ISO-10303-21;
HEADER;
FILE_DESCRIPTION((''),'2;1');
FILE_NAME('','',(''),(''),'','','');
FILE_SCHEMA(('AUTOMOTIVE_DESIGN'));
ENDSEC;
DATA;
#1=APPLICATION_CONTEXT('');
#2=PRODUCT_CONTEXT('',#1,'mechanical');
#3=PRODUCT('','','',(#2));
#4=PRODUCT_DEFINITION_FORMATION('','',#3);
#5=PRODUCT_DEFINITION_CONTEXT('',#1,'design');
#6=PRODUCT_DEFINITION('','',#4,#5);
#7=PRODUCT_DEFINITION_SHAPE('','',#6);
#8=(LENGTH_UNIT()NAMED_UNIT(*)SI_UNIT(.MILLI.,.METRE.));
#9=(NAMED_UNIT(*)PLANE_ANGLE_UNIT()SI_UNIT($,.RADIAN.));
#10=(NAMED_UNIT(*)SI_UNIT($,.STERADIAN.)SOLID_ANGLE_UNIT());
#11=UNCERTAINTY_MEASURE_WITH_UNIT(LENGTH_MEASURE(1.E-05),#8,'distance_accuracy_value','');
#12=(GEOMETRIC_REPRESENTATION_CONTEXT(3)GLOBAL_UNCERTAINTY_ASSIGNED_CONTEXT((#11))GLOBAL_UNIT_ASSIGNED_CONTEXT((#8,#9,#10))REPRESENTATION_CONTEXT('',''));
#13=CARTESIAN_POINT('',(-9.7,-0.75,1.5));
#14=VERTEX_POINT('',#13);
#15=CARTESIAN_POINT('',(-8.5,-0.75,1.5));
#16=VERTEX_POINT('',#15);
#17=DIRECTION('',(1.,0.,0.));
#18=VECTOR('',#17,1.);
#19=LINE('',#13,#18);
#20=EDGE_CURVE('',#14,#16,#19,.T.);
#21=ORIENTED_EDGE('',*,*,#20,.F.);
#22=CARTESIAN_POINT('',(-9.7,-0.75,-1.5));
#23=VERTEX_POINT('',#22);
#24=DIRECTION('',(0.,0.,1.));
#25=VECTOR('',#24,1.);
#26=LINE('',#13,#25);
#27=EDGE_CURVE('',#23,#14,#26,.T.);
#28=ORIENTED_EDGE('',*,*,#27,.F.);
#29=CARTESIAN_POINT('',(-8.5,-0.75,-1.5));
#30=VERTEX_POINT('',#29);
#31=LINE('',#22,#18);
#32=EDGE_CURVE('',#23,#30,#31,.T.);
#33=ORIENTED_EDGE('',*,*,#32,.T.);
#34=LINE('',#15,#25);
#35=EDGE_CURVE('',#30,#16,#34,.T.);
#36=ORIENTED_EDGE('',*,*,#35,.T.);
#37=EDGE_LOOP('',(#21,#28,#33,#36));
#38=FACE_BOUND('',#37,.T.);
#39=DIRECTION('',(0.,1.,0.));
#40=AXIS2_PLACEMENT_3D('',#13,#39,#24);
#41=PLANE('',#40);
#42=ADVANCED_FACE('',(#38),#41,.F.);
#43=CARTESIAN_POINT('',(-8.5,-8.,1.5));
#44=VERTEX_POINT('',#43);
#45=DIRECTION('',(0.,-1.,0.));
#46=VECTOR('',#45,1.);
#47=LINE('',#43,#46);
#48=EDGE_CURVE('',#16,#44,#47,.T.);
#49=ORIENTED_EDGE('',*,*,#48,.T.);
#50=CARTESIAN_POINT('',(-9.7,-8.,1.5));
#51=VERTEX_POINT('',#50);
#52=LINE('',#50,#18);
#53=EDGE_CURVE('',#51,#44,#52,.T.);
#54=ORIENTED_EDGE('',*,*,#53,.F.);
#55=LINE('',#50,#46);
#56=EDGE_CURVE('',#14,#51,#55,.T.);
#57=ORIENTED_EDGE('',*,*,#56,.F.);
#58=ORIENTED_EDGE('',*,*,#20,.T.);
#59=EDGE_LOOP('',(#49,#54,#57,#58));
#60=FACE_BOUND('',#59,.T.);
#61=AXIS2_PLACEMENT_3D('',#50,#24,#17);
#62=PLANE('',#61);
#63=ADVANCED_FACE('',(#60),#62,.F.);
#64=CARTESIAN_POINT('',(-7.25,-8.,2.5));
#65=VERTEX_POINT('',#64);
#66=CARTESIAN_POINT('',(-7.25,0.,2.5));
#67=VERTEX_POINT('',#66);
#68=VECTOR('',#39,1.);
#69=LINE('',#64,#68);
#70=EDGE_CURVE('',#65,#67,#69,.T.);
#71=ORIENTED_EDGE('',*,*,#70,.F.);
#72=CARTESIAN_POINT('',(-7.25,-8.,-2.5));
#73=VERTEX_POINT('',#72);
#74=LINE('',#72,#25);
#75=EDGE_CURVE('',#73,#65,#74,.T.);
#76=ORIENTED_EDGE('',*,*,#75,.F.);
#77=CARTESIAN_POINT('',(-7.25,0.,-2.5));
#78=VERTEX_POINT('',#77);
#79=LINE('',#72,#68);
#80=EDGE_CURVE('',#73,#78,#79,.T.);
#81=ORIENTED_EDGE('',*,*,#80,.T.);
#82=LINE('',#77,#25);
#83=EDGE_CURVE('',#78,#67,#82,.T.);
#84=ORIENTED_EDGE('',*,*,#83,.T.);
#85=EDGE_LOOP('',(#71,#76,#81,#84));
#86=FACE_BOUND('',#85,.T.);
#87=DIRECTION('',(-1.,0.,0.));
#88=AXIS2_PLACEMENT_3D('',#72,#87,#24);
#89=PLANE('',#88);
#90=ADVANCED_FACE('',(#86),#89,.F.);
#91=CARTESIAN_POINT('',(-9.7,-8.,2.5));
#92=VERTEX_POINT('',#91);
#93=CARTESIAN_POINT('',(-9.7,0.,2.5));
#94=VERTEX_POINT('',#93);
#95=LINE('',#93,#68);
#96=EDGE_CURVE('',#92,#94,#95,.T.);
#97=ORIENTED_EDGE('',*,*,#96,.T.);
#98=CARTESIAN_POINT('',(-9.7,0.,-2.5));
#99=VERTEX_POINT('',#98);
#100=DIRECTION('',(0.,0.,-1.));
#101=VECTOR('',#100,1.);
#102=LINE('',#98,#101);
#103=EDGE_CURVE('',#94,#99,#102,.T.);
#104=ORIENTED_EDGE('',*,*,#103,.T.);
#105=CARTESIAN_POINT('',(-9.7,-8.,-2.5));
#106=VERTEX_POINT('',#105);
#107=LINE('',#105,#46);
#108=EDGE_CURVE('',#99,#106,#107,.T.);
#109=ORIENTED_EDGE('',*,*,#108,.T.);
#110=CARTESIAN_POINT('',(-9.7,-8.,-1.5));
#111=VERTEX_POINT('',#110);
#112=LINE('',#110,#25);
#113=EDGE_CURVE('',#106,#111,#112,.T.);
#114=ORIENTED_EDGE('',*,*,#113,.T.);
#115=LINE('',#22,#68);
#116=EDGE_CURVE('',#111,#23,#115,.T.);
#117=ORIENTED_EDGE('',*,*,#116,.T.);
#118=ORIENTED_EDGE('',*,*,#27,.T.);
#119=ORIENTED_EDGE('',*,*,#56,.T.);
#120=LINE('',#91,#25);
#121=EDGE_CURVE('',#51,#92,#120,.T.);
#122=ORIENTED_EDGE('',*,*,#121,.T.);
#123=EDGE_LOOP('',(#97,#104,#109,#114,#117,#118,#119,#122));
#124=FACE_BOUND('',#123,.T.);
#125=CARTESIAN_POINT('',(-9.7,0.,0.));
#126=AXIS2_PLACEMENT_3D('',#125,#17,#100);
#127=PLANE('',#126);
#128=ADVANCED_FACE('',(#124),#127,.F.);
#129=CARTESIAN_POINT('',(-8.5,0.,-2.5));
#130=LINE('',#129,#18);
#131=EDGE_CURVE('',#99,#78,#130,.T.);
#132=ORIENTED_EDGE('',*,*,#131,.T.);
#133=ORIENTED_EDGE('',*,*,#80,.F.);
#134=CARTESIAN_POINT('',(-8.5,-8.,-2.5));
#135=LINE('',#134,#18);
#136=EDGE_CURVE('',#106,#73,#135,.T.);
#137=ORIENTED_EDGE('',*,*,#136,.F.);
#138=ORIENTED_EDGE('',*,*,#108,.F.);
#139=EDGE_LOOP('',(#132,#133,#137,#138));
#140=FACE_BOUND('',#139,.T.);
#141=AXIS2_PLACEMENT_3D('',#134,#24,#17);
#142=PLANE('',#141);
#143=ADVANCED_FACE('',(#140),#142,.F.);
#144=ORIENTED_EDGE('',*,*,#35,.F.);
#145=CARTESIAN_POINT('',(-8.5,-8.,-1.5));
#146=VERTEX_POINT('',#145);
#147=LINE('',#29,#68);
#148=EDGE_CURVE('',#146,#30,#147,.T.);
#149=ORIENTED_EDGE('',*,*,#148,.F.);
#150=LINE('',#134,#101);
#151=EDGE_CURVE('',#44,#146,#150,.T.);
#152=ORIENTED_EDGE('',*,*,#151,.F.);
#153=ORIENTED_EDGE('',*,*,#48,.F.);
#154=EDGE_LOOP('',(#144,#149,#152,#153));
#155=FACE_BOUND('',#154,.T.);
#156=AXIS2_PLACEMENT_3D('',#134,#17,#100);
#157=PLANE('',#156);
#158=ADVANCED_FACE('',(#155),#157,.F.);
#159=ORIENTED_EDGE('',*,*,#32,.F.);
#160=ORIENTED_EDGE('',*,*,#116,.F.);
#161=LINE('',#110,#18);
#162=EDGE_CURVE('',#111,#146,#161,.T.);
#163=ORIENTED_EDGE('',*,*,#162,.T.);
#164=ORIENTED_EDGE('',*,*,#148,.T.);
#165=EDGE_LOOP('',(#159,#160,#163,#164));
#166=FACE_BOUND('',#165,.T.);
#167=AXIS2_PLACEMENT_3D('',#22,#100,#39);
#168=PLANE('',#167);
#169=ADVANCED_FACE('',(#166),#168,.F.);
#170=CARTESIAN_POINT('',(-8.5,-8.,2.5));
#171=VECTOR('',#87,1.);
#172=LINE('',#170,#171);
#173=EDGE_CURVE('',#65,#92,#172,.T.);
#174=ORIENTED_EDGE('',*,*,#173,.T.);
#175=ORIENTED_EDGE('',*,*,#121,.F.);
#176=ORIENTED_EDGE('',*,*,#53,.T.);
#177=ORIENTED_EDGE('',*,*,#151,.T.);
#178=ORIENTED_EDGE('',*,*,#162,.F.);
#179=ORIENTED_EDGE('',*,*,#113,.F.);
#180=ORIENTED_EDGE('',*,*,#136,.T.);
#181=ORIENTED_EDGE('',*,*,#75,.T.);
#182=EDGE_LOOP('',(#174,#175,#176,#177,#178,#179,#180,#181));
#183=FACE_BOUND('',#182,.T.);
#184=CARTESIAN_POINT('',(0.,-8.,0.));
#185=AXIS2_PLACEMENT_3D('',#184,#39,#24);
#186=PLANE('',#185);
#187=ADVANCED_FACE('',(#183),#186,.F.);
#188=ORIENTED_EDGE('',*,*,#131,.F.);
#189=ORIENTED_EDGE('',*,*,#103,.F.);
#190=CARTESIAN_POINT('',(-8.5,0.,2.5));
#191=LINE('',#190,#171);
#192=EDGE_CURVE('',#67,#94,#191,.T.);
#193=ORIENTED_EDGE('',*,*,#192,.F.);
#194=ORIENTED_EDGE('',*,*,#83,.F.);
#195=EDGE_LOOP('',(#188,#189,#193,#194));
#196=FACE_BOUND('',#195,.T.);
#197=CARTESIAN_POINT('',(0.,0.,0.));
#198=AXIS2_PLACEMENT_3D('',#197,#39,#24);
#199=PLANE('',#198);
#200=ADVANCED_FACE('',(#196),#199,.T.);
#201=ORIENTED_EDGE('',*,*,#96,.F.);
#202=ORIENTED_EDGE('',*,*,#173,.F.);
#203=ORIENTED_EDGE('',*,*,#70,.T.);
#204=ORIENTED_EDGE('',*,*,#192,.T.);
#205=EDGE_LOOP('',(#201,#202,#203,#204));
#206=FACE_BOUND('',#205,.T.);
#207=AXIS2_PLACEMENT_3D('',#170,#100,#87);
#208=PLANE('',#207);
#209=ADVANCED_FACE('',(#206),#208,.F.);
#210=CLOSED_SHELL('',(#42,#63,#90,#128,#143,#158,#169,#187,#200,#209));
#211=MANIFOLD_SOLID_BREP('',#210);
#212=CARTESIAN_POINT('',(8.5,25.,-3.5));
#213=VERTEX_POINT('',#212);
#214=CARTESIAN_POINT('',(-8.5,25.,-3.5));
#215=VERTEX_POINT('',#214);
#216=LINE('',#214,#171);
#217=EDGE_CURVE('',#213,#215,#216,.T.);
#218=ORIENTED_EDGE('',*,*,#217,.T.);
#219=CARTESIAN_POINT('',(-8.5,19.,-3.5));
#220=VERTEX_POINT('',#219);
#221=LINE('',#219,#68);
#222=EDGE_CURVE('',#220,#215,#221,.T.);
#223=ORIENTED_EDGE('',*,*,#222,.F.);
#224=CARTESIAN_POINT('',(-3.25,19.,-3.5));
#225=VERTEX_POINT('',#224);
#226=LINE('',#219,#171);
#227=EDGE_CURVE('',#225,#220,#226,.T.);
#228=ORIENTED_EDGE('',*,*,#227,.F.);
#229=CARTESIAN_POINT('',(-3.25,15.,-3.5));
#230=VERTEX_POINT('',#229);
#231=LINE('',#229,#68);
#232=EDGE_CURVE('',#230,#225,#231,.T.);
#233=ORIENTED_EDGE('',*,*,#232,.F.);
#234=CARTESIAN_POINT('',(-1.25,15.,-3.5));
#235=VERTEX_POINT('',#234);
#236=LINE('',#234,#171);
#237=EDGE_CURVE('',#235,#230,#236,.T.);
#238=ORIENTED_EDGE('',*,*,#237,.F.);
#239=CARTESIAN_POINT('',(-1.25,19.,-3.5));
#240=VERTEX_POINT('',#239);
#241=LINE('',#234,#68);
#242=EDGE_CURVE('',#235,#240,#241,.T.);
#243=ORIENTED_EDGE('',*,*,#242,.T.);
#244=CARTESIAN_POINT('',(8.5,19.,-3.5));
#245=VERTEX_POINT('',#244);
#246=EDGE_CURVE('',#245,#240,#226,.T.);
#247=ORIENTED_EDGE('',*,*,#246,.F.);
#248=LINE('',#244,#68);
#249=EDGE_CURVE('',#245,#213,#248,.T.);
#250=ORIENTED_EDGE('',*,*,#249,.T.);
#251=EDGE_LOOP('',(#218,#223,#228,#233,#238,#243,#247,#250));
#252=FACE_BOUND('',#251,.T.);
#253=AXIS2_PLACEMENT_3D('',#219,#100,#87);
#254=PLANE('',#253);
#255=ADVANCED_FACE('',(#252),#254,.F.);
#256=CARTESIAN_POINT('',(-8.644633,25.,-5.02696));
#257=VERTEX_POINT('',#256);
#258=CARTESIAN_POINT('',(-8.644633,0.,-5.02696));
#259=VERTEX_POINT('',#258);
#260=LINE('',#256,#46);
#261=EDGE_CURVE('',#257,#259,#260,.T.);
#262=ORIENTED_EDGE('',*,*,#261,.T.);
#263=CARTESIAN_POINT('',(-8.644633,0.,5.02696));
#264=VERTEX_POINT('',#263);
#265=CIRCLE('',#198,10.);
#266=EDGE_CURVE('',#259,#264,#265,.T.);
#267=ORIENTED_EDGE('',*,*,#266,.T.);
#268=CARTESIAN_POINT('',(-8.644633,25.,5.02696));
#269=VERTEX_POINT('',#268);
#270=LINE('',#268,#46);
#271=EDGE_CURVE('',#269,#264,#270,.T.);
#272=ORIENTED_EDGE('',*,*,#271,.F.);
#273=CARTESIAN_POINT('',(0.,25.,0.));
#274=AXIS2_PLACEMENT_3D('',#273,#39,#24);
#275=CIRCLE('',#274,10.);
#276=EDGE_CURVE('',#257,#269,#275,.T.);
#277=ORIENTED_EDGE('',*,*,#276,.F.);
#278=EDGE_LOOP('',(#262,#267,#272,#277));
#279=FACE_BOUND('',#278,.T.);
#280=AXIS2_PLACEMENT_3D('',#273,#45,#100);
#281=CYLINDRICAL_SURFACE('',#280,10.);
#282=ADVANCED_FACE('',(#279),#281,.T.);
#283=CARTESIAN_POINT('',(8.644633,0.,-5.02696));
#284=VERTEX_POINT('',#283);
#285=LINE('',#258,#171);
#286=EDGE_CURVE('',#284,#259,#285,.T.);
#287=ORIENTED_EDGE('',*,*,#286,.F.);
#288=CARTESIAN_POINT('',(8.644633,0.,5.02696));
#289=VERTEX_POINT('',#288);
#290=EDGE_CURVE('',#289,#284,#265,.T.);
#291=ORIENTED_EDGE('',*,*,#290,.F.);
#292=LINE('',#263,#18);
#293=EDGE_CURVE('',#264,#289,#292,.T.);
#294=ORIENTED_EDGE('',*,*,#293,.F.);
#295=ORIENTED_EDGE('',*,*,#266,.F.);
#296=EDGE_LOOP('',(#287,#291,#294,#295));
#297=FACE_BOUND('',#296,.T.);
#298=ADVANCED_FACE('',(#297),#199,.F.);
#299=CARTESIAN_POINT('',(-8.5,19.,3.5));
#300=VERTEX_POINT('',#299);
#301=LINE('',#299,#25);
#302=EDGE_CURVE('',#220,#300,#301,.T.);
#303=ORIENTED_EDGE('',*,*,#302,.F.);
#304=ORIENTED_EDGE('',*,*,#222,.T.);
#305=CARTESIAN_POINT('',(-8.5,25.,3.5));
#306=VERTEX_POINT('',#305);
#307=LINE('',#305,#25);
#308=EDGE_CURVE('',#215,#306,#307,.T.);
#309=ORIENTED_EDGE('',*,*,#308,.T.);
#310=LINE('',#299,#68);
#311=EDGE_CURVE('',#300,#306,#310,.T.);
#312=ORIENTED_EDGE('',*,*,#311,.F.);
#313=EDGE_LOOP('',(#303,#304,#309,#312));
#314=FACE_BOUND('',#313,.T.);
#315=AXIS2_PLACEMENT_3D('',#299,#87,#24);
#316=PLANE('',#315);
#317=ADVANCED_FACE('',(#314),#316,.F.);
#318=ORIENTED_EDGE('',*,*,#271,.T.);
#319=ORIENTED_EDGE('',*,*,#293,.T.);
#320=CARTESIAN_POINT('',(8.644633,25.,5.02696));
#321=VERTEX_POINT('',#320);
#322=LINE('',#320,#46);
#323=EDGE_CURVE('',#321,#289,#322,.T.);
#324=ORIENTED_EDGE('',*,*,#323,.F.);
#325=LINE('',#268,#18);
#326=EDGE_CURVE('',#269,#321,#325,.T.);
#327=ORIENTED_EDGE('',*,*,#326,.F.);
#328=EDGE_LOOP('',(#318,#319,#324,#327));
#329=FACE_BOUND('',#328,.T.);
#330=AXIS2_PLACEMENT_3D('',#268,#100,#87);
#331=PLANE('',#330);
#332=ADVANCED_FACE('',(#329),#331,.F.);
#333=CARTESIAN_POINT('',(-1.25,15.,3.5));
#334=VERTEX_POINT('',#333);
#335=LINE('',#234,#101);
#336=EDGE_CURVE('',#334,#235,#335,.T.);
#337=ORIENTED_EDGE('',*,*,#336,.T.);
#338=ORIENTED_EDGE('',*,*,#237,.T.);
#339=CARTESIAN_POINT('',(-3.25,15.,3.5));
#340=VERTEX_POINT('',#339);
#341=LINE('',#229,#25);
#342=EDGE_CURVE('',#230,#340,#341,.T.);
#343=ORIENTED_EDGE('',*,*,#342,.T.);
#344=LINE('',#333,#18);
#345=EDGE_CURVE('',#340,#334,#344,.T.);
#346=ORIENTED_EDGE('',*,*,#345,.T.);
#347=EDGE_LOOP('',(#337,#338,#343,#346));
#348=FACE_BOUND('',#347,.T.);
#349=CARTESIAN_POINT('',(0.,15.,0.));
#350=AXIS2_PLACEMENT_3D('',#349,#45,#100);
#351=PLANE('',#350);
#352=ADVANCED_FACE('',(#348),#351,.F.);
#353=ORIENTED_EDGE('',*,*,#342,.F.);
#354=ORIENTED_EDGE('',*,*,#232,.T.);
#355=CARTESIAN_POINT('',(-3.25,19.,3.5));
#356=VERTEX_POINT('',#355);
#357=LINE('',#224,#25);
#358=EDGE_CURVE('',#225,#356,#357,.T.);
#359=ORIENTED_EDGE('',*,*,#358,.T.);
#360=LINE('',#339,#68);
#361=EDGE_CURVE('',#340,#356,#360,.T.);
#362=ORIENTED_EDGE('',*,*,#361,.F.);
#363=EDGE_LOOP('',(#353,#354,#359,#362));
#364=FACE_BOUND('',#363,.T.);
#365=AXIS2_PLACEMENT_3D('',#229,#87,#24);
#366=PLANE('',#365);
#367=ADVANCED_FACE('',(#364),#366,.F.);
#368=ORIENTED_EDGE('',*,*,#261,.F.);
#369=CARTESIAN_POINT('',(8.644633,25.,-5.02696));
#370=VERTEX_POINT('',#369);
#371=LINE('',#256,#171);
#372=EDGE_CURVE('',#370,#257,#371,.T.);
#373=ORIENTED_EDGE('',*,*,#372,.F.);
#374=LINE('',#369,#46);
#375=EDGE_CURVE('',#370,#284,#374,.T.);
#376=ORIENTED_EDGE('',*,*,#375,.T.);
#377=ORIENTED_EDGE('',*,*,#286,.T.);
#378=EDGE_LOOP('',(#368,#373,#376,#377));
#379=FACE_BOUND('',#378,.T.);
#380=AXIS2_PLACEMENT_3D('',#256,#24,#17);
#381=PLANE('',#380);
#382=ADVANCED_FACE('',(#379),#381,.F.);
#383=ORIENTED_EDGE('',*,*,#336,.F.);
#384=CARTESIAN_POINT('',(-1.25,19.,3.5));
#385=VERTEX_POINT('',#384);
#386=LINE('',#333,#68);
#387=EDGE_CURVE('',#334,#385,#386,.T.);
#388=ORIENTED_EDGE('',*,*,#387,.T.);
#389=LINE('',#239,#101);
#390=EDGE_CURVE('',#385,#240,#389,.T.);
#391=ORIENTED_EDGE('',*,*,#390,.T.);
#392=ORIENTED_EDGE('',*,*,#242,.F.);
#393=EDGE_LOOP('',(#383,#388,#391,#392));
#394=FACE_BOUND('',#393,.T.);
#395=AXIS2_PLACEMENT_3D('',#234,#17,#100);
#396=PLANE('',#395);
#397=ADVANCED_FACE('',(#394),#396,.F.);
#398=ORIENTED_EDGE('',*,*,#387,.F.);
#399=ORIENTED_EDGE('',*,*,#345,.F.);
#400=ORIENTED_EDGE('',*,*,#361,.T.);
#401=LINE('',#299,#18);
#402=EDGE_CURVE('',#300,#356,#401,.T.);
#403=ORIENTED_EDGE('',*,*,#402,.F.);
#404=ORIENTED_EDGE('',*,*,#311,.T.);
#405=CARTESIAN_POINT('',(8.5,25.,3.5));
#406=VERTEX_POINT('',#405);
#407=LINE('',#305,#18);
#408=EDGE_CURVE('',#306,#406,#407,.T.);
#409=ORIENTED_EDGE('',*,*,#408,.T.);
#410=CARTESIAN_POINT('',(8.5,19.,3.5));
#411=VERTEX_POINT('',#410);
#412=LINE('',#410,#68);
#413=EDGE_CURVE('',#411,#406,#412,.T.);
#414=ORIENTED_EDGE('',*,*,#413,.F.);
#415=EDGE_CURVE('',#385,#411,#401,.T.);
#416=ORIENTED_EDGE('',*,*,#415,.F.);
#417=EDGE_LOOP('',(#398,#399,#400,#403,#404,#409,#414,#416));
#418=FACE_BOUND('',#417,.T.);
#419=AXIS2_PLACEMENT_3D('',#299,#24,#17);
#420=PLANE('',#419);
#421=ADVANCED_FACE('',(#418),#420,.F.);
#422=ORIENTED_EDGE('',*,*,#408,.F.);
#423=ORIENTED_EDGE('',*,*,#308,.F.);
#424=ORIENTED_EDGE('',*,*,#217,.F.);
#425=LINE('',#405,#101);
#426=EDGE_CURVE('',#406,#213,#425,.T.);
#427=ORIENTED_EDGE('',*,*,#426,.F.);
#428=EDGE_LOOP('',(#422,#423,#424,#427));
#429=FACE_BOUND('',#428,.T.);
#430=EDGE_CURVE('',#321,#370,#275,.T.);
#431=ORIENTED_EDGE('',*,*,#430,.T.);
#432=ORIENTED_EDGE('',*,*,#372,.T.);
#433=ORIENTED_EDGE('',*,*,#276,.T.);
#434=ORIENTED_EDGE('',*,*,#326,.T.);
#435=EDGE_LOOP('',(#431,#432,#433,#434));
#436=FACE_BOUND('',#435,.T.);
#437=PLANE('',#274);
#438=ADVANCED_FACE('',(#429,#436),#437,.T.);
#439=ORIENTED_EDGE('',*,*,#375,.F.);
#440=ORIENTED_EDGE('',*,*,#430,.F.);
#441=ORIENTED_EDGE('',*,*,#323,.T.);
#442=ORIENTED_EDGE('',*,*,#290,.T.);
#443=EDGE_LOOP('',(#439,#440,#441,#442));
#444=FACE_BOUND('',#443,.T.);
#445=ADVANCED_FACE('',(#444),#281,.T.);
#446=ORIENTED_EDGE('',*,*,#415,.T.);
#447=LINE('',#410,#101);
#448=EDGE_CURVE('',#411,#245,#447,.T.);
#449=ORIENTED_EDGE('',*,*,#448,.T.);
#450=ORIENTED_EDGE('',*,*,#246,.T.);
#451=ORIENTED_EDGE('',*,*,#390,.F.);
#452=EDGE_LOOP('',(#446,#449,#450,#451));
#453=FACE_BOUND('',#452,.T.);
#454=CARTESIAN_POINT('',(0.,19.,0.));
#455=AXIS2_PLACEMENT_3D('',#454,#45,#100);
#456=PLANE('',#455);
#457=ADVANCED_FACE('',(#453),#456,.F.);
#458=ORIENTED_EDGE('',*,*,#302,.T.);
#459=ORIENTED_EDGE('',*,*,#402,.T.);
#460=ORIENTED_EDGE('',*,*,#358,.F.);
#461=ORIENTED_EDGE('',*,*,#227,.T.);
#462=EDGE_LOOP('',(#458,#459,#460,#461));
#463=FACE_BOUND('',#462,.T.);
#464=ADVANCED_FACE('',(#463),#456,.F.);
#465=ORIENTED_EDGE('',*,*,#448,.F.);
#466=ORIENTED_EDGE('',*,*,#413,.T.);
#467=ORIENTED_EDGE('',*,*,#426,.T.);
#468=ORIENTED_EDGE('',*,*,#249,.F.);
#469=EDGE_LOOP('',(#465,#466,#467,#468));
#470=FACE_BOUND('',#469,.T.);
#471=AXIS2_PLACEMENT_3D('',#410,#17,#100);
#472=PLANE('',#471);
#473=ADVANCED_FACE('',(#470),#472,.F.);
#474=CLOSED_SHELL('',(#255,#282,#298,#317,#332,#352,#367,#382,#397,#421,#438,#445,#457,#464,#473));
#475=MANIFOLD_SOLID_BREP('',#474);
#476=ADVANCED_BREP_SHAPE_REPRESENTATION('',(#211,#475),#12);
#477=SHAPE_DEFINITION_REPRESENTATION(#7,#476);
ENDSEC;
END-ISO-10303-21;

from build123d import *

# Parameters (mm, degrees)
SKETCH1_R           = 10
BOSS_EXTRUDE1_DEPTH = 25
SKETCH2_W           = 1.25
SKETCH2_H           = 5
BOSS_EXTRUDE2_DEPTH = 8
BOSS_EXTRUDE3_DEPTH = 1.2
SKETCH4_W           = 17
SKETCH4_H           = 7
CUT_EXTRUDE1_DEPTH  = 6
SKETCH5_W           = 2
SKETCH5_H           = 7
CUT_EXTRUDE2_DEPTH  = 4
CUT_EXTRUDE3_DEPTH  = 25


with BuildPart() as part:
    # Sketch1 → Boss-Extrude1 (new body)
    with BuildSketch(Plane(origin=(0, 0, 0), x_dir=(1, 0, 0), z_dir=(0, 1, 0))):
        with Locations(Location((0, 0, 0), (0, 0, 270))):
            Circle(SKETCH1_R)
    extrude(amount=BOSS_EXTRUDE1_DEPTH)

    # Sketch4 → Cut-Extrude1 (cut)
    with BuildSketch(Plane(origin=(0, 25, 0), x_dir=(1, 0, 0), z_dir=(0, 1, 0))):
        Rectangle(SKETCH4_W, SKETCH4_H)
    extrude(amount=-CUT_EXTRUDE1_DEPTH, mode=Mode.SUBTRACT)

    # Sketch5 → Cut-Extrude2 (cut)
    with BuildSketch(Plane(origin=(0, 19, 0), x_dir=(1, 0, 0), z_dir=(0, 1, 0))):
        with Locations((-2.25, 0)):
            Rectangle(SKETCH5_W, SKETCH5_H)
    extrude(amount=-CUT_EXTRUDE2_DEPTH, mode=Mode.SUBTRACT)

    # Sketch6 → Cut-Extrude3 (cut)
    with BuildSketch(Plane.XZ):
        with BuildLine():
            Line((-8.644632716, 5.026959838), (8.644632716, 5.026959838))
            ThreePointArc((8.644632716, 5.026959838), (0, 10), (-8.644632716, 5.026959838))
        make_face()
        with BuildLine():
            Line((-8.644632716, -5.026959838), (8.644632716, -5.026959838))
            ThreePointArc((8.644632716, -5.026959838), (0, -10), (-8.644632716, -5.026959838))
        make_face()
    extrude(amount=-CUT_EXTRUDE3_DEPTH, mode=Mode.SUBTRACT)


with BuildPart() as body_2:
    # Sketch2 → Boss-Extrude2 (new body)
    with BuildSketch(Plane(origin=(0, 0, 0), x_dir=(-1, 0, 0), z_dir=(0, -1, 0))):
        with Locations((7.875, 0)):
            Rectangle(SKETCH2_W, SKETCH2_H)
    extrude(amount=BOSS_EXTRUDE2_DEPTH)

    # Sketch3 → Boss-Extrude3 (add)
    with BuildSketch(Plane.ZY.offset(8.5)):
        Polygon((-2.5, -8), (-2.5, 0), (2.5, 0), (2.5, -8), (1.5, -8), (1.5, -0.75), (-1.5, -0.75), (-1.5, -8), align=None)
    extrude(amount=BOSS_EXTRUDE3_DEPTH)


solid = Compound([part.part, body_2.part])
